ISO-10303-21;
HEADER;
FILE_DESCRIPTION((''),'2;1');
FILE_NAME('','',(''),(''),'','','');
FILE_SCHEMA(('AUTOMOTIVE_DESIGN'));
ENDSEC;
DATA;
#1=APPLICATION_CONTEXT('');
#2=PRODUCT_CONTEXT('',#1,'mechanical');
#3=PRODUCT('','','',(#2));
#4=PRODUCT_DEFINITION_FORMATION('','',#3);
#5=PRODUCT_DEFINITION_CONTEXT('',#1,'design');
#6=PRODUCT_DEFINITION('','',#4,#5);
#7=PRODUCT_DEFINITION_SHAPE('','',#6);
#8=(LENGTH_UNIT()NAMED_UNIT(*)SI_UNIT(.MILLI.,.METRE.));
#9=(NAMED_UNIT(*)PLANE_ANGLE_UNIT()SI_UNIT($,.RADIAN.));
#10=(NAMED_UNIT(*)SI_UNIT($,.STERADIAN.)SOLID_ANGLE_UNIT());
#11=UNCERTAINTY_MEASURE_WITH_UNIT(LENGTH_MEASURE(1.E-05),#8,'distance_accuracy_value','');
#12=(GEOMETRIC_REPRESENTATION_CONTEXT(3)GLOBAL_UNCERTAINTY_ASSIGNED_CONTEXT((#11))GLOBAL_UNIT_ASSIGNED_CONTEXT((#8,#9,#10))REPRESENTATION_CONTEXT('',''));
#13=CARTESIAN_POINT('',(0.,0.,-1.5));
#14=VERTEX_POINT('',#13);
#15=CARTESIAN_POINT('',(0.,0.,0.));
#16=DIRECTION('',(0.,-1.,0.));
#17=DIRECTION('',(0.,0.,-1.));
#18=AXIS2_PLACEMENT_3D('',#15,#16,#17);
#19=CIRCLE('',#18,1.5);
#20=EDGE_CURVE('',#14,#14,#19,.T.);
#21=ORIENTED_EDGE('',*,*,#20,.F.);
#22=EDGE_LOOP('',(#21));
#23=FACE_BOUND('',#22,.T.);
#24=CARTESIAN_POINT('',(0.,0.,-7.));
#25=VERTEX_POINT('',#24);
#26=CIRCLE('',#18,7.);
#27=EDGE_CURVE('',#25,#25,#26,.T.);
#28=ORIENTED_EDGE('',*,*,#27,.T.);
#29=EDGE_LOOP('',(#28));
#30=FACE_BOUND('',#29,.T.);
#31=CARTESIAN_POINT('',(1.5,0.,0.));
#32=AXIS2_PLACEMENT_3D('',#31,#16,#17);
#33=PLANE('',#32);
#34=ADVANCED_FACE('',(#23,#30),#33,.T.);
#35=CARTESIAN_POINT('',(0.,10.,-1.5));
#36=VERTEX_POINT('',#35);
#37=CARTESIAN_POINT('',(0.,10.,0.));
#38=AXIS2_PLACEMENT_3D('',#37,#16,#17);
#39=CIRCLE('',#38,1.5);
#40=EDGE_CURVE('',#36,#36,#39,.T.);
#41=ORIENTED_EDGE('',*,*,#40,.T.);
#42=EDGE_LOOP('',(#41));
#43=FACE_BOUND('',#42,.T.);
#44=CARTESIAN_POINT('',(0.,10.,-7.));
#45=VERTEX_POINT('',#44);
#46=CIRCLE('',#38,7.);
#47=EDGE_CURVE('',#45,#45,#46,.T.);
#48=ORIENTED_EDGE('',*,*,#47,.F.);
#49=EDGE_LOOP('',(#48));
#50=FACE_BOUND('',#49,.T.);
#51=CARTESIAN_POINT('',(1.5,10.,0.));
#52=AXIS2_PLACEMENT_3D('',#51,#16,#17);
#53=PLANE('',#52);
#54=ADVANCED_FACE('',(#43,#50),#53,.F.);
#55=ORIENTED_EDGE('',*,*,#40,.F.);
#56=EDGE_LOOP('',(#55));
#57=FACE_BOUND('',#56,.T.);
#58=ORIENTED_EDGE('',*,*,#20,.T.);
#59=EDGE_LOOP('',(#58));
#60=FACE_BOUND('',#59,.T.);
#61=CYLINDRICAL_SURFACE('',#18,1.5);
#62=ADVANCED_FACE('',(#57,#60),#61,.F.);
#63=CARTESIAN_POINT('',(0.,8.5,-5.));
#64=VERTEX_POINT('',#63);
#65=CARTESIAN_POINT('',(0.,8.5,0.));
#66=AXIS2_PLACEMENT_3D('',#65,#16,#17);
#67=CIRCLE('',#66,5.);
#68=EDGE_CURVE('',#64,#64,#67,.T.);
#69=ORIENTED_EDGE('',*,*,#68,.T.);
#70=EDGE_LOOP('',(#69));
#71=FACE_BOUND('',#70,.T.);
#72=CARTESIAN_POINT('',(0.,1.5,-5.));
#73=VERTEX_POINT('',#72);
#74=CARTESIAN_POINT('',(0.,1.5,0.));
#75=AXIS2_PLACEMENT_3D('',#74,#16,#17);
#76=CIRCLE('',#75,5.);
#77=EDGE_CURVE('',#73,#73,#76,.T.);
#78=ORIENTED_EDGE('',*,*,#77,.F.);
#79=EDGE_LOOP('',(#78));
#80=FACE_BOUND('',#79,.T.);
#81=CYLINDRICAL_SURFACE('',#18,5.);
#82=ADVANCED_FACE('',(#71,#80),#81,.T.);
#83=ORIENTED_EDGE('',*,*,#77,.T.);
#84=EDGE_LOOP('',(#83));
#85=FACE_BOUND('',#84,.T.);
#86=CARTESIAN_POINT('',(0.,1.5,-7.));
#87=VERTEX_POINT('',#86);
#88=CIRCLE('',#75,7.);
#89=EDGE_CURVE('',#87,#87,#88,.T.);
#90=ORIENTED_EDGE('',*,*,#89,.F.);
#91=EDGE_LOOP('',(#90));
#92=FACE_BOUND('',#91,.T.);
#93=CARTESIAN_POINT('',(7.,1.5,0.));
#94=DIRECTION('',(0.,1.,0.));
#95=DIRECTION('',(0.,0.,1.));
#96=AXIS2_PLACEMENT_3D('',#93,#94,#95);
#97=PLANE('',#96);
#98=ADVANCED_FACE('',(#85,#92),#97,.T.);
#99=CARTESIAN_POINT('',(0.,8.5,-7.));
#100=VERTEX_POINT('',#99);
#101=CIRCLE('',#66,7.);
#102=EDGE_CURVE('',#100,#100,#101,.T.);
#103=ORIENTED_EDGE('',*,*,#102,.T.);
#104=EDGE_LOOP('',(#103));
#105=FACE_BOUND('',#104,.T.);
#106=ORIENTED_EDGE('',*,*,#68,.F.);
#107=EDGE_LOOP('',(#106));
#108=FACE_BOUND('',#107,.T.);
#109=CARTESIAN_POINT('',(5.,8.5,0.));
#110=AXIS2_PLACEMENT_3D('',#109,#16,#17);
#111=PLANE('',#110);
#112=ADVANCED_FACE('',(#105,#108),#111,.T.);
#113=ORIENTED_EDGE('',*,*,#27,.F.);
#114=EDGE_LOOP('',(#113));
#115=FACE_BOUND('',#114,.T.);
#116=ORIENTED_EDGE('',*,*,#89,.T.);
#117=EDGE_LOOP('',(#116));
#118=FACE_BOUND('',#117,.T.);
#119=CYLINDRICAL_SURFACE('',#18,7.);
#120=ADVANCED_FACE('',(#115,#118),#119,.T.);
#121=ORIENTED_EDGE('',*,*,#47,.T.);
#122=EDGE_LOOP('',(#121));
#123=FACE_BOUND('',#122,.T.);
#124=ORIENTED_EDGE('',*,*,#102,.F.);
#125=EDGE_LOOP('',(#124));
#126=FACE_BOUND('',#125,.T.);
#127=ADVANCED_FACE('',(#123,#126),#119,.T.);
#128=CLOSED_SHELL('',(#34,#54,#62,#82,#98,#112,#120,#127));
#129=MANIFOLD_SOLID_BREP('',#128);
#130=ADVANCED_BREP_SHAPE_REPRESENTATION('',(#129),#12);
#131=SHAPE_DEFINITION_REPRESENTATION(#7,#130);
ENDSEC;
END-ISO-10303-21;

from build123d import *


with BuildPart() as part:
    # Sketch1 → Revolve1 (revolve)
    with BuildSketch(Plane.XY, mode=Mode.PRIVATE) as revolve1_sk:
        Polygon((1.5, 0), (7, 0), (7, 1.5), (5, 1.5), (5, 8.5), (7, 8.5), (7, 10), (1.5, 10), align=None)
    revolve(revolve1_sk.sketch.rotate(Axis((0, 0, 0), (0, 1, 0)), 90), axis=Axis((0, 0, 0), (0, 1, 0)))


solid = part.part
